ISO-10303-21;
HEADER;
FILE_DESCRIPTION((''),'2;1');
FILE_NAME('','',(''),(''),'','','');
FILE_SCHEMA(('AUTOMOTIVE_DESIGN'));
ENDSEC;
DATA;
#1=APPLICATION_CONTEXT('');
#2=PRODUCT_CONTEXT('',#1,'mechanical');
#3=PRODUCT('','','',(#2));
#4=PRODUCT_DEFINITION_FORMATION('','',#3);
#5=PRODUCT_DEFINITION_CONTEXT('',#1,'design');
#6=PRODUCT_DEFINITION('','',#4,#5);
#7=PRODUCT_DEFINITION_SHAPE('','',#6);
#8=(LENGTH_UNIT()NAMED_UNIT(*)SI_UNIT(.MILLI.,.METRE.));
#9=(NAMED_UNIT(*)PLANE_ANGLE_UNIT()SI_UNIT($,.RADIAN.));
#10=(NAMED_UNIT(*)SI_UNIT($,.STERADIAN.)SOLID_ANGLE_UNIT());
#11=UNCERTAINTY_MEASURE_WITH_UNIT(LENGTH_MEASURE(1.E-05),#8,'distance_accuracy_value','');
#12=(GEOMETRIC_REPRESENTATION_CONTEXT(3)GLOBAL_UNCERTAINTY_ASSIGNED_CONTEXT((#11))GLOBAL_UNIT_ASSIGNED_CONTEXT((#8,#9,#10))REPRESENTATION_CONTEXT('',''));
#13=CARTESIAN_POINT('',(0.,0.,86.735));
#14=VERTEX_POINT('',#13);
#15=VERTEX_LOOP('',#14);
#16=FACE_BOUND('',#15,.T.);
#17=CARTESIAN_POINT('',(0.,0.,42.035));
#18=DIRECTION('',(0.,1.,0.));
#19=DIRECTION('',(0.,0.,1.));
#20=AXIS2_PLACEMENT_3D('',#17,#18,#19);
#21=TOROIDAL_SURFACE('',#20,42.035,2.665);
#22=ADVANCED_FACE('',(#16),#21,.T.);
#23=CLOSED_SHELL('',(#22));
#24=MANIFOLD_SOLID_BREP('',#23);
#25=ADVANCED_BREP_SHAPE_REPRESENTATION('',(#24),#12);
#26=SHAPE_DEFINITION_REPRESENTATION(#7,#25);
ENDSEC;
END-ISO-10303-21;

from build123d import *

# Parameters (mm, degrees)
CROQUIS2_R = 2.665


with BuildPart() as part:
    # Croquis2 → Revolución1 (revolve)
    with BuildSketch(Plane(origin=(0, 0, 0), x_dir=(0, 0, -1), z_dir=(1, 0, 0))):
        Circle(CROQUIS2_R)
    revolve(axis=Axis((0, 27.298475613, 42.035), (0, -1, 0)))


solid = part.part
